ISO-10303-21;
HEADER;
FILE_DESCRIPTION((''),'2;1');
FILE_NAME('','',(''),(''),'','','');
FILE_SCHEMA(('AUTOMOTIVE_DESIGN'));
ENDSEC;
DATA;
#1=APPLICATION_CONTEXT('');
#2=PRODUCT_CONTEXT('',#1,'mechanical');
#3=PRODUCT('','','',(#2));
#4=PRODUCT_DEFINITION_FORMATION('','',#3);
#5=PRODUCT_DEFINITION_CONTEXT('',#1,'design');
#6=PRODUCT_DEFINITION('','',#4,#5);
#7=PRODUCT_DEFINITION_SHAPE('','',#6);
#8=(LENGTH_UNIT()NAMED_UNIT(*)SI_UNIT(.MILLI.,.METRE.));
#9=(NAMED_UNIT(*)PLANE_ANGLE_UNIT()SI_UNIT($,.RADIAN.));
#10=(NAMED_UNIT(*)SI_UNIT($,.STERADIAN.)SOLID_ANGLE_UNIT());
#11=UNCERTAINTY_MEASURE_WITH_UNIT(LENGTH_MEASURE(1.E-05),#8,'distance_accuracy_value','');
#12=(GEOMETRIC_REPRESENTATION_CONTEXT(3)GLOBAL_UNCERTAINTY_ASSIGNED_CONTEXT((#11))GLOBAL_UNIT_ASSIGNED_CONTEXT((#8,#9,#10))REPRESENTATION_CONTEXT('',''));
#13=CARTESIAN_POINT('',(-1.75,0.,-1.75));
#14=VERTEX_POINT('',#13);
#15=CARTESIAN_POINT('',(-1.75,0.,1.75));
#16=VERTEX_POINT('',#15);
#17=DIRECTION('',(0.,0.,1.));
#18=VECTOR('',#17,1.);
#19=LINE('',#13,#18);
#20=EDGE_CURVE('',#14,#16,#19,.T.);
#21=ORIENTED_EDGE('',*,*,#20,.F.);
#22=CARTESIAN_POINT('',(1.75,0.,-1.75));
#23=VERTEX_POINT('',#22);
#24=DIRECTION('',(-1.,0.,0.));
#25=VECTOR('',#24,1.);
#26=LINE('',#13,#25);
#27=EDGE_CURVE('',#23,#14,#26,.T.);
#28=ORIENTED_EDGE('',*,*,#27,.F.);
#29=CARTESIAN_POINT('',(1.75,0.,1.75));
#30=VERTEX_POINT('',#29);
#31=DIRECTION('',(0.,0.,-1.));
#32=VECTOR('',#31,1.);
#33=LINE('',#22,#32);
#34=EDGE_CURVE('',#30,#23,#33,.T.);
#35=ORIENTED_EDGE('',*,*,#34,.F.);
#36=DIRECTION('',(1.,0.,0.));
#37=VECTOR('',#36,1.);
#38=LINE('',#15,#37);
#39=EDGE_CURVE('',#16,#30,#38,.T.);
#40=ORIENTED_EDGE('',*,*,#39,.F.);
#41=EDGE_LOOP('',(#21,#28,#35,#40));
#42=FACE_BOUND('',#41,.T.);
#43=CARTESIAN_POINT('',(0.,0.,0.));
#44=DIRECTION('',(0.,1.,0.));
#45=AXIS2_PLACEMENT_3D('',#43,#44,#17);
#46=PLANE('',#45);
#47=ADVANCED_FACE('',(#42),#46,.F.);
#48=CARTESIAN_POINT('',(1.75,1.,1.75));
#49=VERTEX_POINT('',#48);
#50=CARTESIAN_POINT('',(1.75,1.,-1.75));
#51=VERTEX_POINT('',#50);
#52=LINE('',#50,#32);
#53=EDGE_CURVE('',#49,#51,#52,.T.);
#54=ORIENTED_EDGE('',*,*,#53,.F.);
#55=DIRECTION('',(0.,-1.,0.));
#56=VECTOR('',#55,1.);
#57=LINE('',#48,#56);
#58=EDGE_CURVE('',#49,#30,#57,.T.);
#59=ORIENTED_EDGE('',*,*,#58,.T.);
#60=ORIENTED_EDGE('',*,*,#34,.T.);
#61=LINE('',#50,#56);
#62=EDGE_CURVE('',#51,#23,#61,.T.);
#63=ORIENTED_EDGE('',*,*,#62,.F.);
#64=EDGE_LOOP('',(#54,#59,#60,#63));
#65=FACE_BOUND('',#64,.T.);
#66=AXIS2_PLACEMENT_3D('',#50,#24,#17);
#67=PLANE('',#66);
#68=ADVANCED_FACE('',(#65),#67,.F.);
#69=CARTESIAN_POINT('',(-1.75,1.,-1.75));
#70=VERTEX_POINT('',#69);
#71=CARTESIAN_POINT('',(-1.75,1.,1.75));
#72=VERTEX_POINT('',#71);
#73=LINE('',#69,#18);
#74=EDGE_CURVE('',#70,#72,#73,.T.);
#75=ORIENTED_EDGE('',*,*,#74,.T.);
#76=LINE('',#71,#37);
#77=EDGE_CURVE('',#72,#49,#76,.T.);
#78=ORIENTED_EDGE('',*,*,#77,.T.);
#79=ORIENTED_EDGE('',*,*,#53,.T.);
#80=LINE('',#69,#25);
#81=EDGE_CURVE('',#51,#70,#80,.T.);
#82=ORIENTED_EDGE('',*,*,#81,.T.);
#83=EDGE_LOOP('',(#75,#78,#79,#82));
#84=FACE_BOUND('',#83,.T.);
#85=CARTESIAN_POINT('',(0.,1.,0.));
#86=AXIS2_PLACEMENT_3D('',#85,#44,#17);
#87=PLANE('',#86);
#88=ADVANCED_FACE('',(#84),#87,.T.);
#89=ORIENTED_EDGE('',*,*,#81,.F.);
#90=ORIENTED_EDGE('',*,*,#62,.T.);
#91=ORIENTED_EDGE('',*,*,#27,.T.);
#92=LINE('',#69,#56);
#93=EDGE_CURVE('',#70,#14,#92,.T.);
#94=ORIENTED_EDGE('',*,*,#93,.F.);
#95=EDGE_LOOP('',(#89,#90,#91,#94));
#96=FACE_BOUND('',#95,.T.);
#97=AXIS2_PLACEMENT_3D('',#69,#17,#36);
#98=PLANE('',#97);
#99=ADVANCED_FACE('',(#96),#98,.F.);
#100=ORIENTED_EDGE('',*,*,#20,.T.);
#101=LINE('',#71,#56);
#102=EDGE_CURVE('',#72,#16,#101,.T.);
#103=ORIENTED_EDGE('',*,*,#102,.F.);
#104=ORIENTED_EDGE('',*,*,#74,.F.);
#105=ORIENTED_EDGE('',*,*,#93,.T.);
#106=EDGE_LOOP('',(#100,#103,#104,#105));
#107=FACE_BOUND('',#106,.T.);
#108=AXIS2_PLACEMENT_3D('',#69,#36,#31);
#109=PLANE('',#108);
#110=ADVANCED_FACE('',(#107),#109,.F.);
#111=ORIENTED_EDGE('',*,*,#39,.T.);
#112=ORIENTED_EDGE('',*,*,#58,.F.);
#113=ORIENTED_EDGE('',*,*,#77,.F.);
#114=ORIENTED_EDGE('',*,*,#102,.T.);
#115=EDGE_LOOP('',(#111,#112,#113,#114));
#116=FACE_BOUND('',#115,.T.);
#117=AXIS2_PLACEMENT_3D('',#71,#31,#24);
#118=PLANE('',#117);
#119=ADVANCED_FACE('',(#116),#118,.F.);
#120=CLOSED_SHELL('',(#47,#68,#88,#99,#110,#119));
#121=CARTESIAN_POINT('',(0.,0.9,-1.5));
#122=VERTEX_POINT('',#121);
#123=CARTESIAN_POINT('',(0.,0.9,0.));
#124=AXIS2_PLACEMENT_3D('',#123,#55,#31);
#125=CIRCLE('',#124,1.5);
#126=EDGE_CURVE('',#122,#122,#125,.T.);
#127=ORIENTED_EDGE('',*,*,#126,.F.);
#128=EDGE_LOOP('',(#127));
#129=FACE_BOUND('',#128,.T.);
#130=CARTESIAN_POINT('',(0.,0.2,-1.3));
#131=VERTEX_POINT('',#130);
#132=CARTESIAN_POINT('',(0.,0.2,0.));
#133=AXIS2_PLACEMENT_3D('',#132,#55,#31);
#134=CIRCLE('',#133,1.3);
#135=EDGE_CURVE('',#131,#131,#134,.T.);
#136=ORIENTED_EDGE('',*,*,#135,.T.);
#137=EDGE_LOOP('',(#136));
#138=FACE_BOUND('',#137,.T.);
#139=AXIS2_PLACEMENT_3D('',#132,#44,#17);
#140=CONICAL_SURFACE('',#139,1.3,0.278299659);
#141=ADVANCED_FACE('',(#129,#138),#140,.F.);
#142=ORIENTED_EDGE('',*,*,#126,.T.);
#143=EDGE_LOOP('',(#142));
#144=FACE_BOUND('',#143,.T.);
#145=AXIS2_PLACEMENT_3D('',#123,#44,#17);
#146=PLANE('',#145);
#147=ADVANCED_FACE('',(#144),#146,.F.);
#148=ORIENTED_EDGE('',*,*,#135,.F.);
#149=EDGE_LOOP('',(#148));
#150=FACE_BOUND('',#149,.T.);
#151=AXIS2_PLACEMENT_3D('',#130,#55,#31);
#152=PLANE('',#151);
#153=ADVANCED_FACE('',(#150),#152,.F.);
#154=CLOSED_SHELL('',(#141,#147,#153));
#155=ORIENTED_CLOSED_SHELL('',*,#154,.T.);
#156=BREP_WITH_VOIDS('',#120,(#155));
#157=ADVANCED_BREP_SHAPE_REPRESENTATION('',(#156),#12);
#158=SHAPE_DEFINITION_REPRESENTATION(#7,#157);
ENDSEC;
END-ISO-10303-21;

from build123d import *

# Parameters (mm, degrees)
PROFILES_W    = 3.5
PROFILES_H    = 3.5
PROFILE_DEPTH = 1


with BuildPart() as part:
    # ProfileS → Profile (new body)
    with BuildSketch(Plane(origin=(0, 0, 0), x_dir=(1, 0, 0), z_dir=(0, 1, 0))):
        Rectangle(PROFILES_W, PROFILES_H)
    extrude(amount=PROFILE_DEPTH)

    # Sketch1 → Cut-Revolve1 (revolve, cut)
    with BuildSketch(Plane(origin=(0, 0, 0), x_dir=(0, 0, -1), z_dir=(1, 0, 0))):
        Polygon((0, 0.9), (1.5, 0.9), (1.3, 0.2), (0, 0.2), align=None)
    revolve(axis=Axis((0, 0, 0), (0, 1, 0)), mode=Mode.SUBTRACT)


solid = part.part
